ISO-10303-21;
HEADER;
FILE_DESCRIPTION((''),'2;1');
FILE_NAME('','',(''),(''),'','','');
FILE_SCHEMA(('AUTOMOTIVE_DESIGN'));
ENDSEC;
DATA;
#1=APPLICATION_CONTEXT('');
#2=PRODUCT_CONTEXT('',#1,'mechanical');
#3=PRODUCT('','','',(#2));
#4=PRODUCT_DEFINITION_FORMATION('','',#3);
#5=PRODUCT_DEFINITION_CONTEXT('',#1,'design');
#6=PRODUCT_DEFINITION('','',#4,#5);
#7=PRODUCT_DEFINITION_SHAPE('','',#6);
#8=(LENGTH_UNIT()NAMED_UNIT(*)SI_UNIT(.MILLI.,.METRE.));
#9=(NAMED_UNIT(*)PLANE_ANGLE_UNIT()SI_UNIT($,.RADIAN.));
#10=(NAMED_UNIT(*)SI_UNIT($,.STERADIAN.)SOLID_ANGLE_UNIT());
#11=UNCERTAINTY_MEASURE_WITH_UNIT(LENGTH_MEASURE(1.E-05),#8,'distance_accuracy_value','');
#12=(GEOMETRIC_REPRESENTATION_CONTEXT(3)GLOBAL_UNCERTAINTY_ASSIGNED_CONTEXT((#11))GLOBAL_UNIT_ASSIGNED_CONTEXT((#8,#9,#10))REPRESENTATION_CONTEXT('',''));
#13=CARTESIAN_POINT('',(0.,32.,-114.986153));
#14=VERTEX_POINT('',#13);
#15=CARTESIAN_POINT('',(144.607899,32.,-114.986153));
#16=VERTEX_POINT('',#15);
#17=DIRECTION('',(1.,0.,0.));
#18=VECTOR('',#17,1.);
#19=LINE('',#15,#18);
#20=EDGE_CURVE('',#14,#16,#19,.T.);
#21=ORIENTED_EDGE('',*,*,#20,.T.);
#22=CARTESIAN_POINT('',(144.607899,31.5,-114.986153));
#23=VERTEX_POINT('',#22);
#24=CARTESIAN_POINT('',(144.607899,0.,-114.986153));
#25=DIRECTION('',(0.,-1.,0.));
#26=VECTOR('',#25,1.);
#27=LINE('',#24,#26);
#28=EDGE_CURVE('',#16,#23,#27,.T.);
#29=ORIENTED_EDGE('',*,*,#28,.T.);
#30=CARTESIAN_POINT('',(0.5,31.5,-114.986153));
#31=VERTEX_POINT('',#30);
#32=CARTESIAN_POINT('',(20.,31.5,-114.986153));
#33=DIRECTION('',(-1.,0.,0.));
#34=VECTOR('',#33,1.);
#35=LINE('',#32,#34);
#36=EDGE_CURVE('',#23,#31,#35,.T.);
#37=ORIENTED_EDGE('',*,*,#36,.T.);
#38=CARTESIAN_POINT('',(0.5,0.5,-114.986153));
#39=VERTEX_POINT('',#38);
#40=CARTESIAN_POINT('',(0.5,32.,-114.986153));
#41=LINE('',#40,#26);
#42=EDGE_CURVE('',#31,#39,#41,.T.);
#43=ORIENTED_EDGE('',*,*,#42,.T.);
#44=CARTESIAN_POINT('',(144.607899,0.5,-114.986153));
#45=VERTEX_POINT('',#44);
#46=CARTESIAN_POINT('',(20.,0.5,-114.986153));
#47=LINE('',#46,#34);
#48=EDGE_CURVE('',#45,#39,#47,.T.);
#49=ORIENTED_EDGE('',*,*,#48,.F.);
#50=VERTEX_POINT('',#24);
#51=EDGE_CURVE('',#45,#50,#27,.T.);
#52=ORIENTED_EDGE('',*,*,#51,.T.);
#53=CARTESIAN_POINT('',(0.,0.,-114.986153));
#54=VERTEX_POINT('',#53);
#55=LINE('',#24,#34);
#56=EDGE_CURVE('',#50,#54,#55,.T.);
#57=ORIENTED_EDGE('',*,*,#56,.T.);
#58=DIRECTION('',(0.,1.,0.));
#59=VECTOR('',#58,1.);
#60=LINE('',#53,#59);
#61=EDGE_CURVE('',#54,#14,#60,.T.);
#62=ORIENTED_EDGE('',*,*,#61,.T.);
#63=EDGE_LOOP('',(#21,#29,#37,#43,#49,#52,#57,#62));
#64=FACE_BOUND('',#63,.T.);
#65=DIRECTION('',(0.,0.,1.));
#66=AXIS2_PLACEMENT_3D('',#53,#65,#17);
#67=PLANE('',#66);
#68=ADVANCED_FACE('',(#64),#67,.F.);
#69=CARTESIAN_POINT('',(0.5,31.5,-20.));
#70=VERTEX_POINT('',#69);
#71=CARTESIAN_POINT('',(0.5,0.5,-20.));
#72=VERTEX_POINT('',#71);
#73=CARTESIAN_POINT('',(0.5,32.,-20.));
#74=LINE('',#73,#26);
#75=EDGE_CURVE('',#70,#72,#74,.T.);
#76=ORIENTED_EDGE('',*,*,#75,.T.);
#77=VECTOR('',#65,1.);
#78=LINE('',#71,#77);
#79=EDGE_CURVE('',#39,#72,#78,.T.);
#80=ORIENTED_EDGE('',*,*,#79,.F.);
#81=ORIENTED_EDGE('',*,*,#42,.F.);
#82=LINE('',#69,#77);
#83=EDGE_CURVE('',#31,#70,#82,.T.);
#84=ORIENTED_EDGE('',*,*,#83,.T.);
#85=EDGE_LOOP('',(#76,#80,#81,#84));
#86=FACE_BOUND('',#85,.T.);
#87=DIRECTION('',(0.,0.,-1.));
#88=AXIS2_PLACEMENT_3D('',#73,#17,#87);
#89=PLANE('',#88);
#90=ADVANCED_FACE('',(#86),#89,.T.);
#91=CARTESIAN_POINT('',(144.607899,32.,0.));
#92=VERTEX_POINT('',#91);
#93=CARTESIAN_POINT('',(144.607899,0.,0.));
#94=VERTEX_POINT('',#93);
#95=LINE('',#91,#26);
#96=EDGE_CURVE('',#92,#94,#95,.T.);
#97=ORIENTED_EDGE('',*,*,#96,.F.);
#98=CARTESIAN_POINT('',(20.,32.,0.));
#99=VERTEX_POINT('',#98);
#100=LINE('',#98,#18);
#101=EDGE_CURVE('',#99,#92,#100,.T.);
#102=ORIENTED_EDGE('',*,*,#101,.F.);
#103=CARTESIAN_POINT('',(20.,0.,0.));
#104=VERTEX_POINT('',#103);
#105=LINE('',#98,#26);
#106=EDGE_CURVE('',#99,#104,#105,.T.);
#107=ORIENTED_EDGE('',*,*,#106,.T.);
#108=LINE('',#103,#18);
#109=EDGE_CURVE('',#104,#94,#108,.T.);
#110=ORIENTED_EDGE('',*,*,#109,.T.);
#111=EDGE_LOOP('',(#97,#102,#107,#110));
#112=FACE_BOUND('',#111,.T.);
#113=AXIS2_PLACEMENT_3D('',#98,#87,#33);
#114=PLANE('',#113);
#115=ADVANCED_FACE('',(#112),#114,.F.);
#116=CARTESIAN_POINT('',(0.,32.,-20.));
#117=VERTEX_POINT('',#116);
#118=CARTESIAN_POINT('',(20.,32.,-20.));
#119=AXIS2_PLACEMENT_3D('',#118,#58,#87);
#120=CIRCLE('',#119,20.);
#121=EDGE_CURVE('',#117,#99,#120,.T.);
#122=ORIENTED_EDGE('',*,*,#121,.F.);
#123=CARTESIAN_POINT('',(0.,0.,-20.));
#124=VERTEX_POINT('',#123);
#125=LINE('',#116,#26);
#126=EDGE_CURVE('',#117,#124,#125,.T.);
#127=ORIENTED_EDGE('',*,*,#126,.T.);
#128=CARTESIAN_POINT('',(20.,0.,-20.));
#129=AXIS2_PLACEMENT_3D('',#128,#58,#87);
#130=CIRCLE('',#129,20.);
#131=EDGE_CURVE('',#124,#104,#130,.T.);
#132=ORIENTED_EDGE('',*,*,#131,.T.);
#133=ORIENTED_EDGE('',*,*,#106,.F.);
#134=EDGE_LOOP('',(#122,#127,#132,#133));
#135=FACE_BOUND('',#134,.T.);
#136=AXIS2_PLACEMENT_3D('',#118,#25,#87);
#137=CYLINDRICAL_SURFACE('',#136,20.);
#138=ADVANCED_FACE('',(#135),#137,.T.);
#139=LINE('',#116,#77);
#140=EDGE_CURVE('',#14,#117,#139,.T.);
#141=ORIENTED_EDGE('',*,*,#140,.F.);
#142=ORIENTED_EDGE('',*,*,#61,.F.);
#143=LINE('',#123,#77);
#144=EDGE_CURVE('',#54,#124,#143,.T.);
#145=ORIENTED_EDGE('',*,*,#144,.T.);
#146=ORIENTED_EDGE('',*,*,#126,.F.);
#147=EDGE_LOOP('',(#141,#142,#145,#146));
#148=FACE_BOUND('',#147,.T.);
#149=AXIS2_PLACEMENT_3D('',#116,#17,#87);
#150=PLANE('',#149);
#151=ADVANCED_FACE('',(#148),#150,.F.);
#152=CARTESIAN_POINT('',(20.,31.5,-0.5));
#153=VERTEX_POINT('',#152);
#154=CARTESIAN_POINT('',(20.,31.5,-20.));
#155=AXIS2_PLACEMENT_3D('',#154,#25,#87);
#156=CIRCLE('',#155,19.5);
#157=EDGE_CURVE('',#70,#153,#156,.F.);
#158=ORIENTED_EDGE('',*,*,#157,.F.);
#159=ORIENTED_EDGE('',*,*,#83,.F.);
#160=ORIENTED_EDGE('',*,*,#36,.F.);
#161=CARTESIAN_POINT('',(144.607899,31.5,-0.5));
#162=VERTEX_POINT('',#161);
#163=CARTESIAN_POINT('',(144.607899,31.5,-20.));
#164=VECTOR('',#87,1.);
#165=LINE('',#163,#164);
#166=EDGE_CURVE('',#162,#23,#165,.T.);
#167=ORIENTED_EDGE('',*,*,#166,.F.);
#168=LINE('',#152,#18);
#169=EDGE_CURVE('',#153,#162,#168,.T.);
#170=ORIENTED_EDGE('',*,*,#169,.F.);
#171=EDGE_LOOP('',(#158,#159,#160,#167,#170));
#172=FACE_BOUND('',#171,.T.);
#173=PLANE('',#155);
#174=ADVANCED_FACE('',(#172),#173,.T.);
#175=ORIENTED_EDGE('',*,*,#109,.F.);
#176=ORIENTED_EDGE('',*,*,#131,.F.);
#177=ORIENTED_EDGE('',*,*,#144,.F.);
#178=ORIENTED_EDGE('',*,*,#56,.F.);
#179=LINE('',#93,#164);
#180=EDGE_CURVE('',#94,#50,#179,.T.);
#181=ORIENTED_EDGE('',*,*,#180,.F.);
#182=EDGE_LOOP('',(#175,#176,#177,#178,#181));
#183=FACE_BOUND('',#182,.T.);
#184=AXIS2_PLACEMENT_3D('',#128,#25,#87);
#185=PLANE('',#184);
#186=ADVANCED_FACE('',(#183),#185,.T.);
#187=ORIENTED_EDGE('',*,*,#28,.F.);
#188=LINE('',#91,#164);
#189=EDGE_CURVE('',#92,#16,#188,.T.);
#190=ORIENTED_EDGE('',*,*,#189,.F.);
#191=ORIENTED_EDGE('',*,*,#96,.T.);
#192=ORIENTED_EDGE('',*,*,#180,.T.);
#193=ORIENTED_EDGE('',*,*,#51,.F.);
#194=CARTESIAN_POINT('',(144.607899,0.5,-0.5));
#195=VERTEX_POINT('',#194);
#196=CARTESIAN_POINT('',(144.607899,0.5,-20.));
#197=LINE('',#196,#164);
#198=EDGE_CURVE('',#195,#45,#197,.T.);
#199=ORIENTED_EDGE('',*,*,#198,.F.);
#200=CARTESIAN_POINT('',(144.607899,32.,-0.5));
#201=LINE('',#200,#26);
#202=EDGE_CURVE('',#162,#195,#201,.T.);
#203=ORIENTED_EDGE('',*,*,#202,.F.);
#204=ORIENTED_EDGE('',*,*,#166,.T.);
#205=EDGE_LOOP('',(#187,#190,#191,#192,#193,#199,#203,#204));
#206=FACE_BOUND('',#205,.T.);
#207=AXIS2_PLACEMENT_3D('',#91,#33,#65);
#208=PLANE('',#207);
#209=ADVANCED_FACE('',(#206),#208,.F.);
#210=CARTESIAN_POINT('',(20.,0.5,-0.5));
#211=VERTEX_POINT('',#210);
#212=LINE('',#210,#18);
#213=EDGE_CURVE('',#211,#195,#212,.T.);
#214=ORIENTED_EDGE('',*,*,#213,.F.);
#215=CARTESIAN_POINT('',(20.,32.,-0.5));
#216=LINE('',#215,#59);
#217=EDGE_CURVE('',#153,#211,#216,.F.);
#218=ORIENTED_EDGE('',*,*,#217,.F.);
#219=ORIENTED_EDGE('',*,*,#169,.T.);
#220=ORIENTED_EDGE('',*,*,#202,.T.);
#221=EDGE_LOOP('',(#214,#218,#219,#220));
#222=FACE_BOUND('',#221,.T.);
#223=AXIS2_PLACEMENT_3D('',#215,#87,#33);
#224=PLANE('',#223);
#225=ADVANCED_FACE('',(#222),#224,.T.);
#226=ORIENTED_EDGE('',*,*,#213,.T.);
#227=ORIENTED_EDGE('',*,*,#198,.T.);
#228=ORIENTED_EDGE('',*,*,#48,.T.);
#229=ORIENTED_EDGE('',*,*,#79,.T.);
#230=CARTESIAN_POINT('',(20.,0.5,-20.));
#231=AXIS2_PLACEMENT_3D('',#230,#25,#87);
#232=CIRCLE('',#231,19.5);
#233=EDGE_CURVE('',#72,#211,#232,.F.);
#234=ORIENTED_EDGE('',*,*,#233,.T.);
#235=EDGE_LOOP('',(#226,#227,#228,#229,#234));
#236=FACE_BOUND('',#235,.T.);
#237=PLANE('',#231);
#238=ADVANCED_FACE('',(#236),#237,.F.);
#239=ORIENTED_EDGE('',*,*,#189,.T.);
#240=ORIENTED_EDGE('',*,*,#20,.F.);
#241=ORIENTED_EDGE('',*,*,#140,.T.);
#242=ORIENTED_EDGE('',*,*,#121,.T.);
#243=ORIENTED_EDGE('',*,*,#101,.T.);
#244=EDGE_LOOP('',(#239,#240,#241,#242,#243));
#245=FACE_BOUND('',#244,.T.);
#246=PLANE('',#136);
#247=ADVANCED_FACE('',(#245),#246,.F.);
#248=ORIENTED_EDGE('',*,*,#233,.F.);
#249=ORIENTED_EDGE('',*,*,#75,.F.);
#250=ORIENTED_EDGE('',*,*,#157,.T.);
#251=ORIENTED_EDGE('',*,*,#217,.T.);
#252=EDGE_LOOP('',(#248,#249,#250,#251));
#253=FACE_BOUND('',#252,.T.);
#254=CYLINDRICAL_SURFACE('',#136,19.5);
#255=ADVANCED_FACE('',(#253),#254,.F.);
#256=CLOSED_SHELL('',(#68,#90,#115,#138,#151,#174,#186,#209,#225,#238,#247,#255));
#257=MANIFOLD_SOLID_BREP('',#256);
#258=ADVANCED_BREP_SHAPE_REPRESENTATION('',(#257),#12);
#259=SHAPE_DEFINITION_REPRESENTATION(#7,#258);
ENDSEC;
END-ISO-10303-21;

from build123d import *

# Parameters (mm, degrees)
SALIENTE_EXTRUIR1_DEPTH = 32
VACIADO1_T              = -0.5
CROQUIS4_W              = 144.607899287
CROQUIS4_H              = 32
CORTAR_EXTRUIR2_DEPTH   = 3


with BuildPart() as part:
    # Croquis1 → Saliente-Extruir1 (new body)
    with BuildSketch(Plane(origin=(0, 0, 0), x_dir=(1, 0, 0), z_dir=(0, 1, 0))):
        with BuildLine():
            Line((20, 0), (144.607899287, 0))
            Line((144.607899287, 0), (144.607899287, 117.986152898))
            Line((144.607899287, 117.986152898), (0, 117.986152898))
            Line((0, 117.986152898), (0, 20))
            ThreePointArc((0, 20), (5.857864376, 5.857864376), (20, 0))
        make_face()
    extrude(amount=SALIENTE_EXTRUIR1_DEPTH)

    # Vaciado1
    vaciado1_openings = [part.faces().sort_by_distance(p)[0] for p in [
        (144.607899287, 16, -58.993076449),
    ]]
    offset(amount=VACIADO1_T, openings=vaciado1_openings, kind=Kind.INTERSECTION)

    # Croquis4 → Cortar-Extruir2 (cut)
    with BuildSketch(Plane(origin=(0, 0, -117.986152898), x_dir=(-1, 0, 0), z_dir=(0, 0, -1))):
        with Locations((-72.303949644, 16)):
            Rectangle(CROQUIS4_W, CROQUIS4_H)
    extrude(amount=-CORTAR_EXTRUIR2_DEPTH, mode=Mode.SUBTRACT)


solid = part.part
